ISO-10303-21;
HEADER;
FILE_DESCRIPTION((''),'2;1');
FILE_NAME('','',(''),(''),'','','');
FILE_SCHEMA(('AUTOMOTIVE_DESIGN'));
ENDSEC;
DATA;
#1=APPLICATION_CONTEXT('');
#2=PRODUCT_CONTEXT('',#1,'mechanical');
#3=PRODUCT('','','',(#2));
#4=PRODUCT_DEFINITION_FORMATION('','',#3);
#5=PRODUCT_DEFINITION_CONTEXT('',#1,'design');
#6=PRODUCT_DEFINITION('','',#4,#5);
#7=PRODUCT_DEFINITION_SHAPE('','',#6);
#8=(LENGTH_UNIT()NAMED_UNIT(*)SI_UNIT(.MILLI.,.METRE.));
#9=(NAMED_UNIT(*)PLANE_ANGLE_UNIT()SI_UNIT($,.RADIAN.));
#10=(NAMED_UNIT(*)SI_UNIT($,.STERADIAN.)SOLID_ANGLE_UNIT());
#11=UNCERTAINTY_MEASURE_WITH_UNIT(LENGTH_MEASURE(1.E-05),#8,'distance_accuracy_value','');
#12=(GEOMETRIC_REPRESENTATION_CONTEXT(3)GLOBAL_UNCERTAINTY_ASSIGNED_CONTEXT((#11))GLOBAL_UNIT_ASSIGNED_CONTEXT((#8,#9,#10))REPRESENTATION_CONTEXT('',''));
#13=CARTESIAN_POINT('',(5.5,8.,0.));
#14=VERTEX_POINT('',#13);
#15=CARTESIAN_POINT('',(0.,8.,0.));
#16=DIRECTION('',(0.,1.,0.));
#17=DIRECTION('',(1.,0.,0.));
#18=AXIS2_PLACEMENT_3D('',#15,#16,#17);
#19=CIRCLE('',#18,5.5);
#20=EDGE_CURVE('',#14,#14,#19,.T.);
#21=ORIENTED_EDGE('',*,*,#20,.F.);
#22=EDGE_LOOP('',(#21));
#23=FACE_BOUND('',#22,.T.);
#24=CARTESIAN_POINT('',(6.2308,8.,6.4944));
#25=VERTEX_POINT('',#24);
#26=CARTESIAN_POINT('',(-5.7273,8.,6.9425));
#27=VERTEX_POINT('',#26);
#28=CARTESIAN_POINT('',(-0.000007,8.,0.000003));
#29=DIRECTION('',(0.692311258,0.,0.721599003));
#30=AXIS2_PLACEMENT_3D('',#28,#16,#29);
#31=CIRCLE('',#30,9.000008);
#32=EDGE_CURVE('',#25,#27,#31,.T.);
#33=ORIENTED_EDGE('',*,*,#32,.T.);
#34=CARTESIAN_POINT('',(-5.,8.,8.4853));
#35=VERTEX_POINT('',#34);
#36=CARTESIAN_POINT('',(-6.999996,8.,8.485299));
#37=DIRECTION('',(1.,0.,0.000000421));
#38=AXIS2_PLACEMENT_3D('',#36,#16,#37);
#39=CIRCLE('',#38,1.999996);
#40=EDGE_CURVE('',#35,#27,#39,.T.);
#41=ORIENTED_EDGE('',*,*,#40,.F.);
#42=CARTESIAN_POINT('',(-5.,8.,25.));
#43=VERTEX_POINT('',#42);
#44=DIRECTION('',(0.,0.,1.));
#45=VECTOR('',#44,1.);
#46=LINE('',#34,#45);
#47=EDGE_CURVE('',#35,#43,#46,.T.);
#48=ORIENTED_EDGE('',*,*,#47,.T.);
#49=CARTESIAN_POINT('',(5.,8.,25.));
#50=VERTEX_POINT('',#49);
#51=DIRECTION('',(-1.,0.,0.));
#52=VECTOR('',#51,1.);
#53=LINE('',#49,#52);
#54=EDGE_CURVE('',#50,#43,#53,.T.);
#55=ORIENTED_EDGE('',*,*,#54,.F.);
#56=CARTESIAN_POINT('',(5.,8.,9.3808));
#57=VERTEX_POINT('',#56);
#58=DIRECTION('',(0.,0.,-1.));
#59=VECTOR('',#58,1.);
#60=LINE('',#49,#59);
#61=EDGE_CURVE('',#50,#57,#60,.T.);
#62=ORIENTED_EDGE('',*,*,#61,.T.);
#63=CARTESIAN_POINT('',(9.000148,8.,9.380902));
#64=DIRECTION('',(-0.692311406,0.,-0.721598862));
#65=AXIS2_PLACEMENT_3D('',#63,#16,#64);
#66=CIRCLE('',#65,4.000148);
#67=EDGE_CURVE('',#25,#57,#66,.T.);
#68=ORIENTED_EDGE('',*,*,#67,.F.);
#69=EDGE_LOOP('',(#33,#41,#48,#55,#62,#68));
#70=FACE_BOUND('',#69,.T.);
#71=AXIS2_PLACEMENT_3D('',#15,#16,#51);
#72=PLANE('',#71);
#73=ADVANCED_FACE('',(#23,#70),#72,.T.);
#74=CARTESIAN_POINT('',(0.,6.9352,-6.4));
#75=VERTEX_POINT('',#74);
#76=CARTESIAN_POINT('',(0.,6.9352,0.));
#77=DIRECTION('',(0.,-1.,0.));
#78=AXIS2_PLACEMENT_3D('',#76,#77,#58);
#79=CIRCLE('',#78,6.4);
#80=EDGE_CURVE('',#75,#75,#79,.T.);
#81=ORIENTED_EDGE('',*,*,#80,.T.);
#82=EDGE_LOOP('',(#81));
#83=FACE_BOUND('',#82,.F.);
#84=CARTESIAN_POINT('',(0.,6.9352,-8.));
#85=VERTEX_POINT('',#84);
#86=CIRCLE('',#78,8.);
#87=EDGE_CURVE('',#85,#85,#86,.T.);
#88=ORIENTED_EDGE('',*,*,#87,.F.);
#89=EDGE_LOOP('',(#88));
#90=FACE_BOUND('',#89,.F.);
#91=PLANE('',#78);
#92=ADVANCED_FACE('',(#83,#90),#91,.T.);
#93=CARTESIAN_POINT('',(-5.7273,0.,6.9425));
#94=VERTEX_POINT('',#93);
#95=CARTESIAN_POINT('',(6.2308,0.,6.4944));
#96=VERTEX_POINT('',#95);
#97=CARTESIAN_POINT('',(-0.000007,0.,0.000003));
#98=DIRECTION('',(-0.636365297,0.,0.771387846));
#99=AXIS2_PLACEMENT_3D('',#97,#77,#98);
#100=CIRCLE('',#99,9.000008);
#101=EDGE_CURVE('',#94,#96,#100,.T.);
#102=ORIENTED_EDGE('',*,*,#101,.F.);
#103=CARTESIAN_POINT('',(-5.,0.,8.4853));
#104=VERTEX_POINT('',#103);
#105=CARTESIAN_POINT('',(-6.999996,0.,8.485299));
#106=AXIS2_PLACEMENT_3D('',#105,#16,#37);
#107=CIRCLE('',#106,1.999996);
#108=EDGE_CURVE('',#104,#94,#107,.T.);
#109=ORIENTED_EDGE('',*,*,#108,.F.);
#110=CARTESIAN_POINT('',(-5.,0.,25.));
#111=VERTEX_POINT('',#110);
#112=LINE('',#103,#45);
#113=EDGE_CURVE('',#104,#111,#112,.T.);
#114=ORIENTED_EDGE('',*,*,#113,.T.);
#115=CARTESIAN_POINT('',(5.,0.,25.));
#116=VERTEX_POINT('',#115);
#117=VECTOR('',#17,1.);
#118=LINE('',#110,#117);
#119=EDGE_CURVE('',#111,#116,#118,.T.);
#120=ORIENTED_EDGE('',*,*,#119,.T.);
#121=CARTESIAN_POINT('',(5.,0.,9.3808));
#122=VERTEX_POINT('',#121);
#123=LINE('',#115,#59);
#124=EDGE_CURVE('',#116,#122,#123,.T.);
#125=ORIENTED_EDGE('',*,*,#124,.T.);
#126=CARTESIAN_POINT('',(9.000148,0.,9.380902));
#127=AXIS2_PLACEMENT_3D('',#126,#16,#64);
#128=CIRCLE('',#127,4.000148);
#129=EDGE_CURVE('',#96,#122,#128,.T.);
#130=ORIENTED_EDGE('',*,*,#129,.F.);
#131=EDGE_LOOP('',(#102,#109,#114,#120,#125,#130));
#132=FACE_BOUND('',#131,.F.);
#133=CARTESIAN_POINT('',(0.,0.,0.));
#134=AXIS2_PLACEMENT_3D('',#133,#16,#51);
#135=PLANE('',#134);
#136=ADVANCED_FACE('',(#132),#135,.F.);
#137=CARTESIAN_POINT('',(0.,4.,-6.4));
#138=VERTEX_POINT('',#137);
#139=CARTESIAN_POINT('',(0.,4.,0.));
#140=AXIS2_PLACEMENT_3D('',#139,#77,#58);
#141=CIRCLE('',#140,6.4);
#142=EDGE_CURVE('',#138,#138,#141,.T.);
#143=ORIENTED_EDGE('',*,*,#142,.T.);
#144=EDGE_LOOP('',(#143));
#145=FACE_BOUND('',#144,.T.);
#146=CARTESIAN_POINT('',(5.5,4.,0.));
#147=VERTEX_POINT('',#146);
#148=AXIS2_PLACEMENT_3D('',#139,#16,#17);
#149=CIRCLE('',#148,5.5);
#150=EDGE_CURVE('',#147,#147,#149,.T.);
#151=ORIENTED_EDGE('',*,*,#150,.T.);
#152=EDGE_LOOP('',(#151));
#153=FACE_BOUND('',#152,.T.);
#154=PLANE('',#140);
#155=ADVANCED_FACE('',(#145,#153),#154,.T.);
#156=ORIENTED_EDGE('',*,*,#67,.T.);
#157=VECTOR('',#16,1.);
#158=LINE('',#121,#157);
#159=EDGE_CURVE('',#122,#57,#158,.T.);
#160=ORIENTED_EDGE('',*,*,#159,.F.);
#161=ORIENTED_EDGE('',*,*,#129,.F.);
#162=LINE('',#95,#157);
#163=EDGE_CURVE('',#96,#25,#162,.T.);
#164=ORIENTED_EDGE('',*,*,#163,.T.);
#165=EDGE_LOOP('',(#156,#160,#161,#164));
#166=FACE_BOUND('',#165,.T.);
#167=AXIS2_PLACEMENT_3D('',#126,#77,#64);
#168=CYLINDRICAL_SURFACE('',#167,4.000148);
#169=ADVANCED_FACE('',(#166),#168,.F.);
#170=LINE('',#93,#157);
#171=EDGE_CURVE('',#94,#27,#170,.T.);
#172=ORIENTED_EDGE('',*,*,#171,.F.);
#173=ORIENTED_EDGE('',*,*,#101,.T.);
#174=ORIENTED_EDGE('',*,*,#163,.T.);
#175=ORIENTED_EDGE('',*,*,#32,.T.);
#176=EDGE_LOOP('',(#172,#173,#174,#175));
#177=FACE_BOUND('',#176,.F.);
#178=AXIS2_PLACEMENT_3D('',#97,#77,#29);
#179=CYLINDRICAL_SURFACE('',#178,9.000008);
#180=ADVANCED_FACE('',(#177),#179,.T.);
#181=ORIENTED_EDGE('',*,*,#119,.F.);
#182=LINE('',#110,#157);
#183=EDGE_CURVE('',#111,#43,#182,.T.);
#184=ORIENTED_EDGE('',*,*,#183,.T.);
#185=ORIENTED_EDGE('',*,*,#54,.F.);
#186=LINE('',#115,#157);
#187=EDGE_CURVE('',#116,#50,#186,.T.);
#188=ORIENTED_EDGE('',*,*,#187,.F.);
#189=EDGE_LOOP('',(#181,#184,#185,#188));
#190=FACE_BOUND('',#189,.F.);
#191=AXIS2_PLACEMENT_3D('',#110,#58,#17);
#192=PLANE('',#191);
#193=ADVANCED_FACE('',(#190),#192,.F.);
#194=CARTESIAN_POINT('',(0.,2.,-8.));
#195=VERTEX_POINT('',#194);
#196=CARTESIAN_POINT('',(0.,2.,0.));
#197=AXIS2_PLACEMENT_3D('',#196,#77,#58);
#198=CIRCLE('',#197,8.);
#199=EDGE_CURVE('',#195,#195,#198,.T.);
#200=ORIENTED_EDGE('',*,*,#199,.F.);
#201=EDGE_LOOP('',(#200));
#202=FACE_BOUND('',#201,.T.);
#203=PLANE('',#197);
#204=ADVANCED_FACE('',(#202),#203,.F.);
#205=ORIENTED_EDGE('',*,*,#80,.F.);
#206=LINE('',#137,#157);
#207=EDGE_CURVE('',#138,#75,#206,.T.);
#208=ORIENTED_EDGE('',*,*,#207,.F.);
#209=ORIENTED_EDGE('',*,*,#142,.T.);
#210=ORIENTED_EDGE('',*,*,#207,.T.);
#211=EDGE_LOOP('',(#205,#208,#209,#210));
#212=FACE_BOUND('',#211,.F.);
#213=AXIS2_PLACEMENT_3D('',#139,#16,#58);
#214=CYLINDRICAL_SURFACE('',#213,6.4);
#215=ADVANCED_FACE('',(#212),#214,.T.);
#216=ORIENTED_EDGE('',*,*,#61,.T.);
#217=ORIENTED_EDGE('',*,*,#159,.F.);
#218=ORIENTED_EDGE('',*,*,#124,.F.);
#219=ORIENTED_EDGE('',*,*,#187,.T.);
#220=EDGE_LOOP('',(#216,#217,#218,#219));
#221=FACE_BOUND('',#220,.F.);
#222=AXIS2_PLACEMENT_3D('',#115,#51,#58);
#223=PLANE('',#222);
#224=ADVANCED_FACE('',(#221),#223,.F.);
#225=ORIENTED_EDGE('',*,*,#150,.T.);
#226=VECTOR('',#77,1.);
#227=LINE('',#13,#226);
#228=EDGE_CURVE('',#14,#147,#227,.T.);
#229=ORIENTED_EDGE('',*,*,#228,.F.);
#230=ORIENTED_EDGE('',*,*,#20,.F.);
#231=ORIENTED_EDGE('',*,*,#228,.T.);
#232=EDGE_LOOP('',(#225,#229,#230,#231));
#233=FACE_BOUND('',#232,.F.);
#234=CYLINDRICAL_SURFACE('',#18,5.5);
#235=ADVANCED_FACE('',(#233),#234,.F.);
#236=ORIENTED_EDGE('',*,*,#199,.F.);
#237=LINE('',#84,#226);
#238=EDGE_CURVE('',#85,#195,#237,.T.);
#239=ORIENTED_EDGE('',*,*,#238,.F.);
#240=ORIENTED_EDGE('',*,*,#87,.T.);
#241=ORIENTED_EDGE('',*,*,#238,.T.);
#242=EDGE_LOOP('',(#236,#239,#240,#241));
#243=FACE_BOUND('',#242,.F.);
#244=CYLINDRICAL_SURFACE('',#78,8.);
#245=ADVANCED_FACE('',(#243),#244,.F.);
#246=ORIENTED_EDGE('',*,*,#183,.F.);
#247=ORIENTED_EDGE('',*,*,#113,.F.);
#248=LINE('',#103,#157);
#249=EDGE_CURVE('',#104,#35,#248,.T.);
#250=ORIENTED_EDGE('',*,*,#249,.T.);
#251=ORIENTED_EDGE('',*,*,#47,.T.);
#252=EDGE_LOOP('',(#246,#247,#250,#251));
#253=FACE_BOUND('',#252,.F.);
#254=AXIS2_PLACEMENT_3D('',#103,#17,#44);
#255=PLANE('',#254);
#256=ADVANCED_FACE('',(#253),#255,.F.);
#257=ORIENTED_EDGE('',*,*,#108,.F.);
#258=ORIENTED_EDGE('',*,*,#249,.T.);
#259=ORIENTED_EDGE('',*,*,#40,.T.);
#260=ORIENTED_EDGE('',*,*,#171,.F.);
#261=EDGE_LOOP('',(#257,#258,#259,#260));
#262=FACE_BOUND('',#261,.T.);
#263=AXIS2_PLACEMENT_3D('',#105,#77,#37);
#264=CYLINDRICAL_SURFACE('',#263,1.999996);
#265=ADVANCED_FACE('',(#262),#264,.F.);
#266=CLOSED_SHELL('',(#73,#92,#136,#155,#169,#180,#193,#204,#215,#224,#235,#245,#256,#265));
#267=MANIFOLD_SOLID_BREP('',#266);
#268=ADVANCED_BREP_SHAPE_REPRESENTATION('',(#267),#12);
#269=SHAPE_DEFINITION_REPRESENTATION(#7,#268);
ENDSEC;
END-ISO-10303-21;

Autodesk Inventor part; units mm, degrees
ref_plane "YZ Plane" through (0, 0, 0) normal (1, 0, 0) x (0, 1, 0)
ref_plane "XZ Plane" through (0, 0, 0) normal (0, 1, 0) x (-1, 0, 0)
ref_plane "XY Plane" through (0, 0, 0) normal (0, 0, 1) x (1, 0, 0)
sketch "Skizze1" plane through (0, 0, 0) normal (0, 1, 0) x (-1, 0, 0)
  line L0 (5, 25) -> (-5, 25)
  line L1 (-5, 25) -> (-5, 9.3808)
  line L2 (5, 8.4853) -> (5, 25)
  arc A0 (-6.2308, 6.4944) -> (5.7273, 6.9425) centre (0, 0) ccw
  arc A1 (5, 8.4853) -> (5.7273, 6.9425) centre (7, 8.4853) ccw
  arc A2 (-6.2308, 6.4944) -> (-5, 9.3808) centre (-9, 9.3808) ccw
  line L3 (0, -16.1968) -> (0, 31.8661) projected
  point P0 (0, 0)
  point P1 (-5, 7.4833)
  point P2 (5, 7.4833)
  dimension "d2" = 18
  dimension "d3" = 5
  dimension "d4" = 2
  dimension "d5" = 4
  dimension "d8" = 10
  dimension "d9" = 5
  dimension "d10" = 0
  dimension "d11" = 25
extrude "Extrusion1" add sketch "Skizze1" along normal blind 8
sketch "Skizze3" plane through (0, 8, 0) normal (0, 1, 0) x (1, 0, 0)
  circle A0 centre (0, 0) radius 5.5
  dimension "d12" = 11
extrude "Extrusion2" cut sketch "Skizze3" against normal blind 6
sketch "Skizze5" plane through (0, 0, 0) normal (1, 0, 0) x (0, 1, 0)
  line L0 (4, 0) -> (2, 0)
  line L1 (2, 0) -> (2, -8)
  line L2 (4, -6.4) -> (4, 0)
  line L3 (2, 5.5) -> (2, -5.5) projected
  line L4 (4, -6.4) -> (6.9352, -6.4)
  line L5 (6.9352, -6.4) -> (6.9352, -8)
  line L6 (6.9352, -8) -> (2, -8)
  line L7 (-1.387, 0) -> (8.3222, 0) projected
  point P0 (0, 0)
  point P1 (3, 0)
  point P2 (5.4676, -6.4)
  dimension "d21" = 0
  dimension "d22" = 2
  dimension "d26" = 8
  dimension "d27" = 6.4
revolve "Umdrehung1" cut sketch "Skizze5" angle 360 about axis through (0, 4, 0) along (0, -1, 0)
properties part number "alternativeJoint"
